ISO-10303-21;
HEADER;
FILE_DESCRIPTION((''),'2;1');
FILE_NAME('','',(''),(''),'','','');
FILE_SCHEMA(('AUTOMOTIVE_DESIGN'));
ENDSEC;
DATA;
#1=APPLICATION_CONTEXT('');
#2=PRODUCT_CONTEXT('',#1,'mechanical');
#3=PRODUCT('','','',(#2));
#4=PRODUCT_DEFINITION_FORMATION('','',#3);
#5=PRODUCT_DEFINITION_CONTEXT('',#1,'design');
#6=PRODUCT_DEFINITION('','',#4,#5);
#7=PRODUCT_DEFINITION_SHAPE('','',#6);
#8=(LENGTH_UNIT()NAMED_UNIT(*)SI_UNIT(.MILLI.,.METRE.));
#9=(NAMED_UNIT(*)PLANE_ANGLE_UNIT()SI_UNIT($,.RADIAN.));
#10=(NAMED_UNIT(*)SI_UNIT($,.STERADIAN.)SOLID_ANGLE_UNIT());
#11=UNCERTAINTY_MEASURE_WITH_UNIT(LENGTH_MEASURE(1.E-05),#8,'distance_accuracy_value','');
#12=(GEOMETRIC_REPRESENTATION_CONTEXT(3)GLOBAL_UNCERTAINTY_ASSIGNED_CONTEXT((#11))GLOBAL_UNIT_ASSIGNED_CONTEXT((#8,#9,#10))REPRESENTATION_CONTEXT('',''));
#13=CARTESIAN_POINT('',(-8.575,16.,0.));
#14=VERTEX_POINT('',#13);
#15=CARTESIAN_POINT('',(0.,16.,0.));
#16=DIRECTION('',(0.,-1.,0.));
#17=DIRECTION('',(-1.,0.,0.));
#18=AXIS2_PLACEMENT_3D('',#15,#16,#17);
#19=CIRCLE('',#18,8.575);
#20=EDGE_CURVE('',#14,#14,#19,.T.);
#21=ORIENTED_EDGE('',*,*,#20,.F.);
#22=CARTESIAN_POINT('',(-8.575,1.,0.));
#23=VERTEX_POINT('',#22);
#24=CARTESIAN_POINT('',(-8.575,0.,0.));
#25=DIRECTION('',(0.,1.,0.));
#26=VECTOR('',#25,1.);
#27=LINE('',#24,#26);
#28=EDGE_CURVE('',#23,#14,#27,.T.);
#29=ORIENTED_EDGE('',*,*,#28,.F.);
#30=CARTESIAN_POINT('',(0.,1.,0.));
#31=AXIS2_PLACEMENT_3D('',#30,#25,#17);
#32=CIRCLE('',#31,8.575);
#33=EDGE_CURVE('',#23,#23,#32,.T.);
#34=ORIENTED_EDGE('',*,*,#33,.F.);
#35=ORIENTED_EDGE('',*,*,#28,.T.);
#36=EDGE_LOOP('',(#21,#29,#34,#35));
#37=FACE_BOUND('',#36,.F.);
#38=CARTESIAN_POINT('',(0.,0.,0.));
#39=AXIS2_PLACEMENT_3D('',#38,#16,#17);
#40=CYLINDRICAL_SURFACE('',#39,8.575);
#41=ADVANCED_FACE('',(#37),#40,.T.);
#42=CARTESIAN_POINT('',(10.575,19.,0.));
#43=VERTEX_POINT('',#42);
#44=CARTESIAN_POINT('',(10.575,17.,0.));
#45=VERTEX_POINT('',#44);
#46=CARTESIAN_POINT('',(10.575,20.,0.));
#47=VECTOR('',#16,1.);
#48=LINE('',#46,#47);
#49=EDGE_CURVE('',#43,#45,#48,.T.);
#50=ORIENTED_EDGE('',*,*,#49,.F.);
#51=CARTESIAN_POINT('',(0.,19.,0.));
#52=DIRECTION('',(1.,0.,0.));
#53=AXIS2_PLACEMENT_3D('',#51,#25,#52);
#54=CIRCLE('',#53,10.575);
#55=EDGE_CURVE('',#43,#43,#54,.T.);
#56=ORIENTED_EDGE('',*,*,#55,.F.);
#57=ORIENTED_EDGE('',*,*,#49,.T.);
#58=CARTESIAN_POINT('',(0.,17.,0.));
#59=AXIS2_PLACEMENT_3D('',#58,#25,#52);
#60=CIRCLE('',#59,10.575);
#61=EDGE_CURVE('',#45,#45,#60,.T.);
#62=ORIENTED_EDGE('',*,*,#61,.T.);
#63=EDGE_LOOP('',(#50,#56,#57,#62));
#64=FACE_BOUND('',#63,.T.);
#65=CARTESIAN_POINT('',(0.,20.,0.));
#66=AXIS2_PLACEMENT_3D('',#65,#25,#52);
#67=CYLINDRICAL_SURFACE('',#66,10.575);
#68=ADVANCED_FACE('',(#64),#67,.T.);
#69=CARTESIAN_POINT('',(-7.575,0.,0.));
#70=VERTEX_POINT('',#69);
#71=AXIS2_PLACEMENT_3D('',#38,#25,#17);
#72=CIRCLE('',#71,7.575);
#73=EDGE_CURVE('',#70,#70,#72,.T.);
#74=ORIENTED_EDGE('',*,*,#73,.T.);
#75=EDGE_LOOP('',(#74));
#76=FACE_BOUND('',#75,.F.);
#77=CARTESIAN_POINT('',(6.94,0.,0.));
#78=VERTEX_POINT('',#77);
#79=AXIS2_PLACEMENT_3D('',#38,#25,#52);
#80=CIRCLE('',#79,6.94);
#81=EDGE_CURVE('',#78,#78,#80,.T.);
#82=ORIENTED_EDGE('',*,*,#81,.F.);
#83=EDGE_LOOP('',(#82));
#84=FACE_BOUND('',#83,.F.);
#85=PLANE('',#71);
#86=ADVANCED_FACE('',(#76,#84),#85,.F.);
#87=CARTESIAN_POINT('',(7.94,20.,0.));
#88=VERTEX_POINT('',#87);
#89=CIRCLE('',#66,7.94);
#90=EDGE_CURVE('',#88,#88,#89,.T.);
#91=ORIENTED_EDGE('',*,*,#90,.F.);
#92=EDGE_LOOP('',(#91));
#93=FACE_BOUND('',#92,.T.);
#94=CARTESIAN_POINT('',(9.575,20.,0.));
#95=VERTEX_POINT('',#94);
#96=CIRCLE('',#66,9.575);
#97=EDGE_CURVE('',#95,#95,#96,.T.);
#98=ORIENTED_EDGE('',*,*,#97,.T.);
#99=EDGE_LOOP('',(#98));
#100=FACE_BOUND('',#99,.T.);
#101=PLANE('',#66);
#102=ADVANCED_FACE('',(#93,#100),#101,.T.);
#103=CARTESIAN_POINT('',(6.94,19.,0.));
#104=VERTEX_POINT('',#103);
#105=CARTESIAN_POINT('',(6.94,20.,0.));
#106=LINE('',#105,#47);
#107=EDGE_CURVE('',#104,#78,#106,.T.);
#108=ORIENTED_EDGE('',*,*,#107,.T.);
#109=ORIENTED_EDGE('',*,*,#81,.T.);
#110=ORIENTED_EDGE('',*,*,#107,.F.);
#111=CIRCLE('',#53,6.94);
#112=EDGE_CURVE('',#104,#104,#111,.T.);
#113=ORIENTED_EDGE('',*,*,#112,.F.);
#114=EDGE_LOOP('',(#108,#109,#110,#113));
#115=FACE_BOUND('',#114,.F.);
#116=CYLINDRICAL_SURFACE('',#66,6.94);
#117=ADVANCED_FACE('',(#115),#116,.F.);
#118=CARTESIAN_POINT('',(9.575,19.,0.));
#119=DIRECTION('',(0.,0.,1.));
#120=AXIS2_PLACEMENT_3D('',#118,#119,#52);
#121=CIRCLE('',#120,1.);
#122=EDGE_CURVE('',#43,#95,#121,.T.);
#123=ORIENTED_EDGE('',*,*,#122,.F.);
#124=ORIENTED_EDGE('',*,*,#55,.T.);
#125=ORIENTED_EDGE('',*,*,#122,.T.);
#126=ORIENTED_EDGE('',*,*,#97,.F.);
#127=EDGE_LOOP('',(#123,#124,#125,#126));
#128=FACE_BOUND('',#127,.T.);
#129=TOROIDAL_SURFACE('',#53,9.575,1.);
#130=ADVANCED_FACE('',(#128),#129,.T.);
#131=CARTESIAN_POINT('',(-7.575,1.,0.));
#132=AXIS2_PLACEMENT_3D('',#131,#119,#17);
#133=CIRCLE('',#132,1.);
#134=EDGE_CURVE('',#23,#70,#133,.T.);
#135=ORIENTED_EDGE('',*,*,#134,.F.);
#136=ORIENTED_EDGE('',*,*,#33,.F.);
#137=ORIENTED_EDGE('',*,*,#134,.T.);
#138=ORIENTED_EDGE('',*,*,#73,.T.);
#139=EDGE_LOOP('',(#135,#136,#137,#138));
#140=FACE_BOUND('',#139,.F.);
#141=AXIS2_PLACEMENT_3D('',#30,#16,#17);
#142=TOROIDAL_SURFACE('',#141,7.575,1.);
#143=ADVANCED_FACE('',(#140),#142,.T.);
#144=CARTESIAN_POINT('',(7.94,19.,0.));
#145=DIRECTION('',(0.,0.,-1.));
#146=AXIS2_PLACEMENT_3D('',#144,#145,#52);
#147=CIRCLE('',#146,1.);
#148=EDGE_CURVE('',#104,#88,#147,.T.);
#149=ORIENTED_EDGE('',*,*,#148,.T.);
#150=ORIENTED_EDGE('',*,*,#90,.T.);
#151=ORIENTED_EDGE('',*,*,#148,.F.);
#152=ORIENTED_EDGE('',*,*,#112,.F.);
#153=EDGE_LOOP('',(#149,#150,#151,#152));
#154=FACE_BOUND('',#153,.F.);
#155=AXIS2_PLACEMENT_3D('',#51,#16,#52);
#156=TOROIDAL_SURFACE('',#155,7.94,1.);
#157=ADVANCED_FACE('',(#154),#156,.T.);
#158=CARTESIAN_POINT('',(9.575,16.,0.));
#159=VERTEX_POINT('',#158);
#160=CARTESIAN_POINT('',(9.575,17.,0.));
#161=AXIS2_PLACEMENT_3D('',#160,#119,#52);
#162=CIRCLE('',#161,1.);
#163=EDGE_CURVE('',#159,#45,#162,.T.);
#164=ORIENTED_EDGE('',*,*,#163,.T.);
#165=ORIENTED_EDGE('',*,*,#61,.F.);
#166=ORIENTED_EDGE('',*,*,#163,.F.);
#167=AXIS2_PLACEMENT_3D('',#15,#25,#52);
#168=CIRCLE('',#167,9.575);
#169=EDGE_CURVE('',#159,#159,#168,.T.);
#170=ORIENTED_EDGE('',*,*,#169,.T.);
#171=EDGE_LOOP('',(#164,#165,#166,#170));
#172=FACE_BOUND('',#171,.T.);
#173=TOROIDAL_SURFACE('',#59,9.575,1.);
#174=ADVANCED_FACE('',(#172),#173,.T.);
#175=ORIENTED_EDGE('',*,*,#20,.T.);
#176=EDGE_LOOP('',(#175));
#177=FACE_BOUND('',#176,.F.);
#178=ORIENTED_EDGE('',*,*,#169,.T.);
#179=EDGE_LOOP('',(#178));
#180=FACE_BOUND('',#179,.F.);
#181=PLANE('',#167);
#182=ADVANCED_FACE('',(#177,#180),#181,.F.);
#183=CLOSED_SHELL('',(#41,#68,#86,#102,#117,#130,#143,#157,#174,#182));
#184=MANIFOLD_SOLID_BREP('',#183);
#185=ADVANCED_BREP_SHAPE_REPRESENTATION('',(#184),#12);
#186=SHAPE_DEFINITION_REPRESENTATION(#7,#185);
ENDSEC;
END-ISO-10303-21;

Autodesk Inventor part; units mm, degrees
ref_plane "YZ Plane" through (0, 0, 0) normal (1, 0, 0) x (0, 1, 0)
ref_plane "XZ Plane" through (0, 0, 0) normal (0, 1, 0) x (-1, 0, 0)
ref_plane "XY Plane" through (0, 0, 0) normal (0, 0, 1) x (1, 0, 0)
sketch "Sketch1" plane through (0, 0, 0) normal (0, 1, 0) x (-1, 0, 0)
  circle A0 centre (0, 0) radius 8.575
extrude "Extrusion1" add sketch "Sketch1" along normal blind 20
sketch "Sketch2" plane through (0, 20, 0) normal (0, 1, 0) x (1, 0, 0)
  circle A0 centre (0, 0) radius 8.575 projected
  circle A1 centre (0, 0) radius 10.575
extrude "Extrusion2" add sketch "Sketch2" against normal blind 4
sketch "Sketch3" plane through (0, 20, 0) normal (0, 1, 0) x (1, 0, 0)
  circle A0 centre (0, 0) radius 10.575 projected
  circle A1 centre (0, 0) radius 6.94
extrude "Extrusion3" cut sketch "Sketch3" against normal through all contours A1
fillet "Fillet1" radius 1 4 edges at (-10.575, 20, 0) (-6.94, 20, 0) (-10.575, 16, 0) (8.575, 0, 0)
properties part number "flaskPort"
